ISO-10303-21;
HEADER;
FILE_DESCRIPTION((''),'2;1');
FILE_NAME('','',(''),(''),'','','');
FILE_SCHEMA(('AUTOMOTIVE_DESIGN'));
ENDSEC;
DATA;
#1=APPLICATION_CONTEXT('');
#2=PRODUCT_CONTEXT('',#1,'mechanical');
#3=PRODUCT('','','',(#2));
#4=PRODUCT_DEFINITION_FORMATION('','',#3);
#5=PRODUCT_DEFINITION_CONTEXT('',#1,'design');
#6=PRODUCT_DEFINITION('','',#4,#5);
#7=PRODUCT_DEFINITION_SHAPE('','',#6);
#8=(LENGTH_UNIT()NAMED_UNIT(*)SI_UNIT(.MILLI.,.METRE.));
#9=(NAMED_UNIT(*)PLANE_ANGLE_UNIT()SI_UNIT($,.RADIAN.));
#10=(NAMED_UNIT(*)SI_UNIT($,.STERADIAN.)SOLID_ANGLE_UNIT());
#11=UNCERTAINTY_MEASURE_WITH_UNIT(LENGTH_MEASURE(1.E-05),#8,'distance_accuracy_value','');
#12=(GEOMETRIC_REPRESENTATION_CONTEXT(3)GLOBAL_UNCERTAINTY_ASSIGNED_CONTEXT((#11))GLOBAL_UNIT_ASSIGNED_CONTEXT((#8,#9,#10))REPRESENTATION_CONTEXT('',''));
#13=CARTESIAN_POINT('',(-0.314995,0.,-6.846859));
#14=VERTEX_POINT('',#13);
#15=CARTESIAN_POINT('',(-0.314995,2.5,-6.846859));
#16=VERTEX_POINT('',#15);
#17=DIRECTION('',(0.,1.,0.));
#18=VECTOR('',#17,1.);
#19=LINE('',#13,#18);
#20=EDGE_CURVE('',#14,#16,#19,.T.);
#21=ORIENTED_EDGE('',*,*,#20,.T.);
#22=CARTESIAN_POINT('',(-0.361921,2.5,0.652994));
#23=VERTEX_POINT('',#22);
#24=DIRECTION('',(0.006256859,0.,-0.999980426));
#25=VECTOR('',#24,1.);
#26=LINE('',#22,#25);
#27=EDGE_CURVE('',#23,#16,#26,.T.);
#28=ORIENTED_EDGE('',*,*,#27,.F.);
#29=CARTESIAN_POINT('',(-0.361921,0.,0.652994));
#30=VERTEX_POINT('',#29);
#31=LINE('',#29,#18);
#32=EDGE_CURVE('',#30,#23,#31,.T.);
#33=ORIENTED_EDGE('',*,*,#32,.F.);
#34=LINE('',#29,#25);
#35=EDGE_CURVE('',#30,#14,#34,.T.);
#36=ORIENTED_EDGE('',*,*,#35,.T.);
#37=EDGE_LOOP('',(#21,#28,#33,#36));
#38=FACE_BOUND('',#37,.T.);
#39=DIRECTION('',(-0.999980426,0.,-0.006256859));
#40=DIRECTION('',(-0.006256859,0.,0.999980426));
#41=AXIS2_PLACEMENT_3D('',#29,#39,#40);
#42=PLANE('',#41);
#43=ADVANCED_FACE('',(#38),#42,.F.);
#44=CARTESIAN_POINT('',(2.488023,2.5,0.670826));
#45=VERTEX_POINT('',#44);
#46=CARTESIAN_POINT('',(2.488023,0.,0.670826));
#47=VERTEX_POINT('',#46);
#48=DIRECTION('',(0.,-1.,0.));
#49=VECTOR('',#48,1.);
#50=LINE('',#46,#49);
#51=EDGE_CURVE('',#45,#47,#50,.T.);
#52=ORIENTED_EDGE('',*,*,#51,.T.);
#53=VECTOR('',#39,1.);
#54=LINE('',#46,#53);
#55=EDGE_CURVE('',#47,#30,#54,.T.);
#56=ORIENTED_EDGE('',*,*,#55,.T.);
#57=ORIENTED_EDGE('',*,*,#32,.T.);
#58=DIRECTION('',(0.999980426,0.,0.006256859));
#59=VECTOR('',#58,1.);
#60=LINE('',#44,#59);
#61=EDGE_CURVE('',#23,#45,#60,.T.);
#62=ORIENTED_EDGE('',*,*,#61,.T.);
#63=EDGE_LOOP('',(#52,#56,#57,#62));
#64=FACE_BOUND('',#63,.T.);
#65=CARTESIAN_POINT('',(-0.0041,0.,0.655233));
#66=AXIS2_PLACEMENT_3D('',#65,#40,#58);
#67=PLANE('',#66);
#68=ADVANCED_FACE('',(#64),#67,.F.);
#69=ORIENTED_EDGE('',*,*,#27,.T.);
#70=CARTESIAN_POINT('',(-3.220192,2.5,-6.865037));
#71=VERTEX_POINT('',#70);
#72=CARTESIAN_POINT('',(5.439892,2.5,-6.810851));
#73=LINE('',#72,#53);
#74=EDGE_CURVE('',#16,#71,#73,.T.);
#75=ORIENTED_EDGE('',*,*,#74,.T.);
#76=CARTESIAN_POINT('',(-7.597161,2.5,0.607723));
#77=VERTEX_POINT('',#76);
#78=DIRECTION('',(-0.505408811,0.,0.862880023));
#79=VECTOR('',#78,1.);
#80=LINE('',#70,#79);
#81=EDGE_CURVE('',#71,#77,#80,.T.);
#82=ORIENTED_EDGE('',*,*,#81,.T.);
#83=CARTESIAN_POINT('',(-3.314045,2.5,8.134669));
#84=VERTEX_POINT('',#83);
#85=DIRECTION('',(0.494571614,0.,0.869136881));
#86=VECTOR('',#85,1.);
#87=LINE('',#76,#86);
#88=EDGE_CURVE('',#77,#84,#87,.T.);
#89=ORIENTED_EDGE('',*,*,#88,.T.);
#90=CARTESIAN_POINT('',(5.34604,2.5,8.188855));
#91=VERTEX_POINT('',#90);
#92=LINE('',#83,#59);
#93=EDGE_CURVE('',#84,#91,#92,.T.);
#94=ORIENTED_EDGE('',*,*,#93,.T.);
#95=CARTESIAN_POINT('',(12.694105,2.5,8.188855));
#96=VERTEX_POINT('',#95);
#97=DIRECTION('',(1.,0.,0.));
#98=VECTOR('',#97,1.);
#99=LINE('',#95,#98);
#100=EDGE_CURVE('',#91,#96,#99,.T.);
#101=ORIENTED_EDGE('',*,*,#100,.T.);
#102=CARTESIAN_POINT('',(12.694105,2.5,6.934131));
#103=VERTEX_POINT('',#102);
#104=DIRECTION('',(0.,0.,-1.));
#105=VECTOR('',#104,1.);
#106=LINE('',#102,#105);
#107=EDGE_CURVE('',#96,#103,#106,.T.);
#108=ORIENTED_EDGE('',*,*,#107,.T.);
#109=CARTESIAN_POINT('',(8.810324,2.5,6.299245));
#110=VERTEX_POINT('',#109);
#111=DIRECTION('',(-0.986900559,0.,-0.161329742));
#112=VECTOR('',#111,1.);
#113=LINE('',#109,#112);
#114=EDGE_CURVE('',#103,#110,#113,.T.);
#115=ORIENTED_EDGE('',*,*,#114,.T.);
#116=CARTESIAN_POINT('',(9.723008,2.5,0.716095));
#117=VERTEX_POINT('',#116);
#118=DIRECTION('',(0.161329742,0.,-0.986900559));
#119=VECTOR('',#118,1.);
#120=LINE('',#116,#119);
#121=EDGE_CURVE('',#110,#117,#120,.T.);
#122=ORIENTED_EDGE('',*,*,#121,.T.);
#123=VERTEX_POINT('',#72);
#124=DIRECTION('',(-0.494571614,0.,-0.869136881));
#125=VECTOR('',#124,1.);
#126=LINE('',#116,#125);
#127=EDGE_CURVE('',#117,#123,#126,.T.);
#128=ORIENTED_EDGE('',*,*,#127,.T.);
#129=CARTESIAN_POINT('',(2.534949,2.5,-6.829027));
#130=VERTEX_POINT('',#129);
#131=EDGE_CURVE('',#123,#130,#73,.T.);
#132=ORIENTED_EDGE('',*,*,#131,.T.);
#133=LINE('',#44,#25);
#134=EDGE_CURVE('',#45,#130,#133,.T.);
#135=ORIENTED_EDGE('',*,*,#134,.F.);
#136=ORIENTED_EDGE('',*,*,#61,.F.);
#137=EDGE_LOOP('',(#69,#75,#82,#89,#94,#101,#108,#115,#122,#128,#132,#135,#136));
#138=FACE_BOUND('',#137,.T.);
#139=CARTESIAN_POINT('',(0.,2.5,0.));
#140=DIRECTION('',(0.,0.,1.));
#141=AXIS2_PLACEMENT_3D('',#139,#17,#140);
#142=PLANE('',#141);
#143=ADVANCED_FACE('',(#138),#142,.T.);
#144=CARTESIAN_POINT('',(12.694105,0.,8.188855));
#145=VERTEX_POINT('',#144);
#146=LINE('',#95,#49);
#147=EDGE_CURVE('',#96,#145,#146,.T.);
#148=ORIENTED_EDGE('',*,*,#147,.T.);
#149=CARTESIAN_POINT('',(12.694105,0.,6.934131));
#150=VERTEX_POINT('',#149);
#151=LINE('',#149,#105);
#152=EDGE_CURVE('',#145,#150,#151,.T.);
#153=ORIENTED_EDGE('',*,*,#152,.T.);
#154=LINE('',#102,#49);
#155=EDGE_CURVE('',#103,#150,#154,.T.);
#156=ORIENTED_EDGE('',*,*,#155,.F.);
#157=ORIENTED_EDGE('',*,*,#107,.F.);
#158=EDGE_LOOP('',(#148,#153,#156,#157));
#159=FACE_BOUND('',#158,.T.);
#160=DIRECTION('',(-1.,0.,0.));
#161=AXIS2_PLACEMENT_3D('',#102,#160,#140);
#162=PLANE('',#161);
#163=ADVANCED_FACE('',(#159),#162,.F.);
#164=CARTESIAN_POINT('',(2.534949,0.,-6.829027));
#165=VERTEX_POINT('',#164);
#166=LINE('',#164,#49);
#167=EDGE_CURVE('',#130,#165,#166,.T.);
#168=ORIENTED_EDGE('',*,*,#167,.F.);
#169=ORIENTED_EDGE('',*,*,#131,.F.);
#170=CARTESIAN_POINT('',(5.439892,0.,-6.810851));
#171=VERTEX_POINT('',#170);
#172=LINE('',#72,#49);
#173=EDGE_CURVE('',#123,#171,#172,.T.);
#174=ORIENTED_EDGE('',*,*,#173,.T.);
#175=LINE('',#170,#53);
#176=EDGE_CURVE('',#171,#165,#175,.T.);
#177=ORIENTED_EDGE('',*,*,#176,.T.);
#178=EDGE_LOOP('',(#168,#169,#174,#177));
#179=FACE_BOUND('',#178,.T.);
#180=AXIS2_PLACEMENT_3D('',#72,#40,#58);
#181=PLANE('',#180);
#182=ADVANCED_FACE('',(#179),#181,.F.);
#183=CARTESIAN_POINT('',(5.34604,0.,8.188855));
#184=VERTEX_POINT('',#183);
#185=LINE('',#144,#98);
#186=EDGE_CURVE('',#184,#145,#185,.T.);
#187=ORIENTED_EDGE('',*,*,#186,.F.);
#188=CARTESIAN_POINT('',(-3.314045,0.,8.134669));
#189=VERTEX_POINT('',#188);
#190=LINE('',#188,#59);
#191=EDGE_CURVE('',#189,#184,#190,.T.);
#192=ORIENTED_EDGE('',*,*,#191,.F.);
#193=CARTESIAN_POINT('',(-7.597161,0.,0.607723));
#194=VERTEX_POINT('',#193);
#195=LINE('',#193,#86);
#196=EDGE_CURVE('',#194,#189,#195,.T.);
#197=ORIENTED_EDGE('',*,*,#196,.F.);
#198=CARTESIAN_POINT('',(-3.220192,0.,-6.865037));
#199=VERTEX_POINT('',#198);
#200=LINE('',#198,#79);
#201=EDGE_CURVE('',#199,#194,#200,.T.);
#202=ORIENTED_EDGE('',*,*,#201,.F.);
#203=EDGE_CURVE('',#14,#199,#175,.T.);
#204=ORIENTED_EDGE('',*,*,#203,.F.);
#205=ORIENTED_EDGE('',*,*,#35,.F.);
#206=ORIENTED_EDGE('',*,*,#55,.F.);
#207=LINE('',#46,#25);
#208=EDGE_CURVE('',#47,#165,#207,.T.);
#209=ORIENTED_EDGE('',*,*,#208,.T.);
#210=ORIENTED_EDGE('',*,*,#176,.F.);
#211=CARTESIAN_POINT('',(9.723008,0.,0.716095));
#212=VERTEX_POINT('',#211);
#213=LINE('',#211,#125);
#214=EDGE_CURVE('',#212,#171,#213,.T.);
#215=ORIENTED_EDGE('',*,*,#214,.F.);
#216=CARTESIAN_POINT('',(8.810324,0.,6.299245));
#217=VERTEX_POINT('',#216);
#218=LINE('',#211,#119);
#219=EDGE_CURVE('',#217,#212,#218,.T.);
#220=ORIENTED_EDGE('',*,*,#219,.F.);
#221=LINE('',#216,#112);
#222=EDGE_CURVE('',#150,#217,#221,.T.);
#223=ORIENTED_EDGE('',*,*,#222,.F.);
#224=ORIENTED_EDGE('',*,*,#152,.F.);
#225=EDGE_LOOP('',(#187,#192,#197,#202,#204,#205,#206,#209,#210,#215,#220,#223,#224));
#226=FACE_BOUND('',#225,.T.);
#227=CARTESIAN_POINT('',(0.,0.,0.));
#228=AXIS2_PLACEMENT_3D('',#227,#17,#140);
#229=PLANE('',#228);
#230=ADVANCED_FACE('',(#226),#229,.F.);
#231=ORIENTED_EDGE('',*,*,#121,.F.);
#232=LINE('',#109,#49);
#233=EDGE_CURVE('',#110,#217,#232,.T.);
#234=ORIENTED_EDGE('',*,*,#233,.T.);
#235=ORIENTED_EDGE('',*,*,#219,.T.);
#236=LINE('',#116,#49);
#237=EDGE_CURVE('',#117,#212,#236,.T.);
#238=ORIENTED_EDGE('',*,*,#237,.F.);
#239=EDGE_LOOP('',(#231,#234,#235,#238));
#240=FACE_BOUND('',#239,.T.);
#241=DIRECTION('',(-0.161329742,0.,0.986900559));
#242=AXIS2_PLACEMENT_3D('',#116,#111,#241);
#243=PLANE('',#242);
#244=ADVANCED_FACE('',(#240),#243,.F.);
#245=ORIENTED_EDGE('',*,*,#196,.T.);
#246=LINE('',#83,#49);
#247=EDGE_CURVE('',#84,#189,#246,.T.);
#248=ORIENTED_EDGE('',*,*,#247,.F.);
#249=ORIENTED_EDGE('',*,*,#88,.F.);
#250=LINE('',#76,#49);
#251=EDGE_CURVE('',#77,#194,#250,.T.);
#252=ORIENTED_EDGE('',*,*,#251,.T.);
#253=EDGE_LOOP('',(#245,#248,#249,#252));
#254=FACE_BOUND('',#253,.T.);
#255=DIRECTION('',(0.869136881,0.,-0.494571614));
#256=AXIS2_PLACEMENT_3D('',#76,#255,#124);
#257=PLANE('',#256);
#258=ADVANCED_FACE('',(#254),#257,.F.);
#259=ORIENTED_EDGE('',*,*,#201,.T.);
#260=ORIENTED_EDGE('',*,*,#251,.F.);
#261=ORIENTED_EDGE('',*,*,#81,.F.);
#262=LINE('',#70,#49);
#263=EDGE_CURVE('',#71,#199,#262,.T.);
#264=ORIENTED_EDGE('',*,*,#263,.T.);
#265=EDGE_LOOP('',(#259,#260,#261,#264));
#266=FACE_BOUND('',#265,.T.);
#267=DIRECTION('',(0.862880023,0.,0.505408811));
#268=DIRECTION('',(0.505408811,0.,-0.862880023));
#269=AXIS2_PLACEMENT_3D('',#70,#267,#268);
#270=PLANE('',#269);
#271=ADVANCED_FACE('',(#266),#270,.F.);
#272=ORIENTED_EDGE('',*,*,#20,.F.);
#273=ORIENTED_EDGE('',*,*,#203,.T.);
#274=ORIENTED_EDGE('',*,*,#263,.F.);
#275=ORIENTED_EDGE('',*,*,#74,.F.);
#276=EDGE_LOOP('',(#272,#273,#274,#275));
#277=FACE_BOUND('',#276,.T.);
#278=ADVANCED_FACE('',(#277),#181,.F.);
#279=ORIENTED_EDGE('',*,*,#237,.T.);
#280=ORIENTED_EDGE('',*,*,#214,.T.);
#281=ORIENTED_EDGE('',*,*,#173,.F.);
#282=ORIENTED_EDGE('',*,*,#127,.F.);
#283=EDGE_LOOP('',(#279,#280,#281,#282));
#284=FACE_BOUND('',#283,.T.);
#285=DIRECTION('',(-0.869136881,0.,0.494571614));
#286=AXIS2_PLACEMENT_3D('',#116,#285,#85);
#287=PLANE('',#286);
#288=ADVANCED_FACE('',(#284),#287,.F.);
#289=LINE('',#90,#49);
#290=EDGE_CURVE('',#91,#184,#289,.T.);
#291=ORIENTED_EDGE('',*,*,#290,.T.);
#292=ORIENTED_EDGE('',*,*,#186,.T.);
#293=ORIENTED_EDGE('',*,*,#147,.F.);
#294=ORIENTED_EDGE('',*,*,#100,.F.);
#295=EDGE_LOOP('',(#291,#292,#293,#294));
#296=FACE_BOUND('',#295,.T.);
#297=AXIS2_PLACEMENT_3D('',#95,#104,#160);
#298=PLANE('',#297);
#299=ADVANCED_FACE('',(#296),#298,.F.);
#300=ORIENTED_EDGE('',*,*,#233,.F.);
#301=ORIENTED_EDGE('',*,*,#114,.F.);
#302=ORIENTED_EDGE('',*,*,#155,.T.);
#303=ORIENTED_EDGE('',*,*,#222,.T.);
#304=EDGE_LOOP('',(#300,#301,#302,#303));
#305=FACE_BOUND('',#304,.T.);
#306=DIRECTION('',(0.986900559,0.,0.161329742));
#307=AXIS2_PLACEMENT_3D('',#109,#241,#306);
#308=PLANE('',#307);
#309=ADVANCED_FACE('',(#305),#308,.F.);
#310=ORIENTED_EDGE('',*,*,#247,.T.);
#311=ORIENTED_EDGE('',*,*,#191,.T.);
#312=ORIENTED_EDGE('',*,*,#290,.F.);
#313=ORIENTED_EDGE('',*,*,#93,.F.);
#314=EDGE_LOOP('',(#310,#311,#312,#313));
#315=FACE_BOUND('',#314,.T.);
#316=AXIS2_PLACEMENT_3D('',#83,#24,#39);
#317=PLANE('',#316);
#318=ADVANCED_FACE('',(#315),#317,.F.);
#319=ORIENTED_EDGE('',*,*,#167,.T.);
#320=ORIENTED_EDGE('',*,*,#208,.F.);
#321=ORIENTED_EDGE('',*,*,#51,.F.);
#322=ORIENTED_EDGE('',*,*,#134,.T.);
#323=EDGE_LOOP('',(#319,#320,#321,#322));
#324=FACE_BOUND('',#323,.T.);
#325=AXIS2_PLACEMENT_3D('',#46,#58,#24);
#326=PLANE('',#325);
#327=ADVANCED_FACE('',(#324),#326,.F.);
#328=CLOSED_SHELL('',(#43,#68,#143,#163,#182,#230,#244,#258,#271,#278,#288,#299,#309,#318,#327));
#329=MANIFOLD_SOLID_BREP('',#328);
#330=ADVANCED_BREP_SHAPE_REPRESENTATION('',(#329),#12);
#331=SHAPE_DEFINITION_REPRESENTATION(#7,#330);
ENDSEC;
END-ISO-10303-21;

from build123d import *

# Parameters (mm, degrees)
BOSS_EXTRUDE1_DEPTH = 2.5
SKETCH2_W           = 2.85
SKETCH2_H           = 2.5
CUT_EXTRUDE1_DEPTH  = 7.5


with BuildPart() as part:
    # Sketch1 → Boss-Extrude1 (new body)
    with BuildSketch(Plane(origin=(0, 0, 0), x_dir=(1, 0, 0), z_dir=(0, 1, 0))):
        Polygon((12.694105225, -6.934131302), (12.694105225, -8.188855223), (5.34603962, -8.188855223), (-3.3140449, -8.134669239), (-7.59716072, -0.607723054), (-3.220192022, 6.865037146), (5.439892498, 6.810851162), (9.723008318, -0.716095023), (8.810324475, -6.299245302), align=None)
    extrude(amount=BOSS_EXTRUDE1_DEPTH)

    # Sketch2 → Cut-Extrude1 (cut)
    with BuildSketch(Plane(origin=(0.04282666, 0, -6.8446205), x_dir=(-0.999980426, 0, -0.006256859), z_dir=(0.006256859, 0, -0.999980426))):
        with Locations((-1.067171483, 1.25)):
            Rectangle(SKETCH2_W, SKETCH2_H)
    extrude(amount=-CUT_EXTRUDE1_DEPTH, mode=Mode.SUBTRACT)


solid = part.part
